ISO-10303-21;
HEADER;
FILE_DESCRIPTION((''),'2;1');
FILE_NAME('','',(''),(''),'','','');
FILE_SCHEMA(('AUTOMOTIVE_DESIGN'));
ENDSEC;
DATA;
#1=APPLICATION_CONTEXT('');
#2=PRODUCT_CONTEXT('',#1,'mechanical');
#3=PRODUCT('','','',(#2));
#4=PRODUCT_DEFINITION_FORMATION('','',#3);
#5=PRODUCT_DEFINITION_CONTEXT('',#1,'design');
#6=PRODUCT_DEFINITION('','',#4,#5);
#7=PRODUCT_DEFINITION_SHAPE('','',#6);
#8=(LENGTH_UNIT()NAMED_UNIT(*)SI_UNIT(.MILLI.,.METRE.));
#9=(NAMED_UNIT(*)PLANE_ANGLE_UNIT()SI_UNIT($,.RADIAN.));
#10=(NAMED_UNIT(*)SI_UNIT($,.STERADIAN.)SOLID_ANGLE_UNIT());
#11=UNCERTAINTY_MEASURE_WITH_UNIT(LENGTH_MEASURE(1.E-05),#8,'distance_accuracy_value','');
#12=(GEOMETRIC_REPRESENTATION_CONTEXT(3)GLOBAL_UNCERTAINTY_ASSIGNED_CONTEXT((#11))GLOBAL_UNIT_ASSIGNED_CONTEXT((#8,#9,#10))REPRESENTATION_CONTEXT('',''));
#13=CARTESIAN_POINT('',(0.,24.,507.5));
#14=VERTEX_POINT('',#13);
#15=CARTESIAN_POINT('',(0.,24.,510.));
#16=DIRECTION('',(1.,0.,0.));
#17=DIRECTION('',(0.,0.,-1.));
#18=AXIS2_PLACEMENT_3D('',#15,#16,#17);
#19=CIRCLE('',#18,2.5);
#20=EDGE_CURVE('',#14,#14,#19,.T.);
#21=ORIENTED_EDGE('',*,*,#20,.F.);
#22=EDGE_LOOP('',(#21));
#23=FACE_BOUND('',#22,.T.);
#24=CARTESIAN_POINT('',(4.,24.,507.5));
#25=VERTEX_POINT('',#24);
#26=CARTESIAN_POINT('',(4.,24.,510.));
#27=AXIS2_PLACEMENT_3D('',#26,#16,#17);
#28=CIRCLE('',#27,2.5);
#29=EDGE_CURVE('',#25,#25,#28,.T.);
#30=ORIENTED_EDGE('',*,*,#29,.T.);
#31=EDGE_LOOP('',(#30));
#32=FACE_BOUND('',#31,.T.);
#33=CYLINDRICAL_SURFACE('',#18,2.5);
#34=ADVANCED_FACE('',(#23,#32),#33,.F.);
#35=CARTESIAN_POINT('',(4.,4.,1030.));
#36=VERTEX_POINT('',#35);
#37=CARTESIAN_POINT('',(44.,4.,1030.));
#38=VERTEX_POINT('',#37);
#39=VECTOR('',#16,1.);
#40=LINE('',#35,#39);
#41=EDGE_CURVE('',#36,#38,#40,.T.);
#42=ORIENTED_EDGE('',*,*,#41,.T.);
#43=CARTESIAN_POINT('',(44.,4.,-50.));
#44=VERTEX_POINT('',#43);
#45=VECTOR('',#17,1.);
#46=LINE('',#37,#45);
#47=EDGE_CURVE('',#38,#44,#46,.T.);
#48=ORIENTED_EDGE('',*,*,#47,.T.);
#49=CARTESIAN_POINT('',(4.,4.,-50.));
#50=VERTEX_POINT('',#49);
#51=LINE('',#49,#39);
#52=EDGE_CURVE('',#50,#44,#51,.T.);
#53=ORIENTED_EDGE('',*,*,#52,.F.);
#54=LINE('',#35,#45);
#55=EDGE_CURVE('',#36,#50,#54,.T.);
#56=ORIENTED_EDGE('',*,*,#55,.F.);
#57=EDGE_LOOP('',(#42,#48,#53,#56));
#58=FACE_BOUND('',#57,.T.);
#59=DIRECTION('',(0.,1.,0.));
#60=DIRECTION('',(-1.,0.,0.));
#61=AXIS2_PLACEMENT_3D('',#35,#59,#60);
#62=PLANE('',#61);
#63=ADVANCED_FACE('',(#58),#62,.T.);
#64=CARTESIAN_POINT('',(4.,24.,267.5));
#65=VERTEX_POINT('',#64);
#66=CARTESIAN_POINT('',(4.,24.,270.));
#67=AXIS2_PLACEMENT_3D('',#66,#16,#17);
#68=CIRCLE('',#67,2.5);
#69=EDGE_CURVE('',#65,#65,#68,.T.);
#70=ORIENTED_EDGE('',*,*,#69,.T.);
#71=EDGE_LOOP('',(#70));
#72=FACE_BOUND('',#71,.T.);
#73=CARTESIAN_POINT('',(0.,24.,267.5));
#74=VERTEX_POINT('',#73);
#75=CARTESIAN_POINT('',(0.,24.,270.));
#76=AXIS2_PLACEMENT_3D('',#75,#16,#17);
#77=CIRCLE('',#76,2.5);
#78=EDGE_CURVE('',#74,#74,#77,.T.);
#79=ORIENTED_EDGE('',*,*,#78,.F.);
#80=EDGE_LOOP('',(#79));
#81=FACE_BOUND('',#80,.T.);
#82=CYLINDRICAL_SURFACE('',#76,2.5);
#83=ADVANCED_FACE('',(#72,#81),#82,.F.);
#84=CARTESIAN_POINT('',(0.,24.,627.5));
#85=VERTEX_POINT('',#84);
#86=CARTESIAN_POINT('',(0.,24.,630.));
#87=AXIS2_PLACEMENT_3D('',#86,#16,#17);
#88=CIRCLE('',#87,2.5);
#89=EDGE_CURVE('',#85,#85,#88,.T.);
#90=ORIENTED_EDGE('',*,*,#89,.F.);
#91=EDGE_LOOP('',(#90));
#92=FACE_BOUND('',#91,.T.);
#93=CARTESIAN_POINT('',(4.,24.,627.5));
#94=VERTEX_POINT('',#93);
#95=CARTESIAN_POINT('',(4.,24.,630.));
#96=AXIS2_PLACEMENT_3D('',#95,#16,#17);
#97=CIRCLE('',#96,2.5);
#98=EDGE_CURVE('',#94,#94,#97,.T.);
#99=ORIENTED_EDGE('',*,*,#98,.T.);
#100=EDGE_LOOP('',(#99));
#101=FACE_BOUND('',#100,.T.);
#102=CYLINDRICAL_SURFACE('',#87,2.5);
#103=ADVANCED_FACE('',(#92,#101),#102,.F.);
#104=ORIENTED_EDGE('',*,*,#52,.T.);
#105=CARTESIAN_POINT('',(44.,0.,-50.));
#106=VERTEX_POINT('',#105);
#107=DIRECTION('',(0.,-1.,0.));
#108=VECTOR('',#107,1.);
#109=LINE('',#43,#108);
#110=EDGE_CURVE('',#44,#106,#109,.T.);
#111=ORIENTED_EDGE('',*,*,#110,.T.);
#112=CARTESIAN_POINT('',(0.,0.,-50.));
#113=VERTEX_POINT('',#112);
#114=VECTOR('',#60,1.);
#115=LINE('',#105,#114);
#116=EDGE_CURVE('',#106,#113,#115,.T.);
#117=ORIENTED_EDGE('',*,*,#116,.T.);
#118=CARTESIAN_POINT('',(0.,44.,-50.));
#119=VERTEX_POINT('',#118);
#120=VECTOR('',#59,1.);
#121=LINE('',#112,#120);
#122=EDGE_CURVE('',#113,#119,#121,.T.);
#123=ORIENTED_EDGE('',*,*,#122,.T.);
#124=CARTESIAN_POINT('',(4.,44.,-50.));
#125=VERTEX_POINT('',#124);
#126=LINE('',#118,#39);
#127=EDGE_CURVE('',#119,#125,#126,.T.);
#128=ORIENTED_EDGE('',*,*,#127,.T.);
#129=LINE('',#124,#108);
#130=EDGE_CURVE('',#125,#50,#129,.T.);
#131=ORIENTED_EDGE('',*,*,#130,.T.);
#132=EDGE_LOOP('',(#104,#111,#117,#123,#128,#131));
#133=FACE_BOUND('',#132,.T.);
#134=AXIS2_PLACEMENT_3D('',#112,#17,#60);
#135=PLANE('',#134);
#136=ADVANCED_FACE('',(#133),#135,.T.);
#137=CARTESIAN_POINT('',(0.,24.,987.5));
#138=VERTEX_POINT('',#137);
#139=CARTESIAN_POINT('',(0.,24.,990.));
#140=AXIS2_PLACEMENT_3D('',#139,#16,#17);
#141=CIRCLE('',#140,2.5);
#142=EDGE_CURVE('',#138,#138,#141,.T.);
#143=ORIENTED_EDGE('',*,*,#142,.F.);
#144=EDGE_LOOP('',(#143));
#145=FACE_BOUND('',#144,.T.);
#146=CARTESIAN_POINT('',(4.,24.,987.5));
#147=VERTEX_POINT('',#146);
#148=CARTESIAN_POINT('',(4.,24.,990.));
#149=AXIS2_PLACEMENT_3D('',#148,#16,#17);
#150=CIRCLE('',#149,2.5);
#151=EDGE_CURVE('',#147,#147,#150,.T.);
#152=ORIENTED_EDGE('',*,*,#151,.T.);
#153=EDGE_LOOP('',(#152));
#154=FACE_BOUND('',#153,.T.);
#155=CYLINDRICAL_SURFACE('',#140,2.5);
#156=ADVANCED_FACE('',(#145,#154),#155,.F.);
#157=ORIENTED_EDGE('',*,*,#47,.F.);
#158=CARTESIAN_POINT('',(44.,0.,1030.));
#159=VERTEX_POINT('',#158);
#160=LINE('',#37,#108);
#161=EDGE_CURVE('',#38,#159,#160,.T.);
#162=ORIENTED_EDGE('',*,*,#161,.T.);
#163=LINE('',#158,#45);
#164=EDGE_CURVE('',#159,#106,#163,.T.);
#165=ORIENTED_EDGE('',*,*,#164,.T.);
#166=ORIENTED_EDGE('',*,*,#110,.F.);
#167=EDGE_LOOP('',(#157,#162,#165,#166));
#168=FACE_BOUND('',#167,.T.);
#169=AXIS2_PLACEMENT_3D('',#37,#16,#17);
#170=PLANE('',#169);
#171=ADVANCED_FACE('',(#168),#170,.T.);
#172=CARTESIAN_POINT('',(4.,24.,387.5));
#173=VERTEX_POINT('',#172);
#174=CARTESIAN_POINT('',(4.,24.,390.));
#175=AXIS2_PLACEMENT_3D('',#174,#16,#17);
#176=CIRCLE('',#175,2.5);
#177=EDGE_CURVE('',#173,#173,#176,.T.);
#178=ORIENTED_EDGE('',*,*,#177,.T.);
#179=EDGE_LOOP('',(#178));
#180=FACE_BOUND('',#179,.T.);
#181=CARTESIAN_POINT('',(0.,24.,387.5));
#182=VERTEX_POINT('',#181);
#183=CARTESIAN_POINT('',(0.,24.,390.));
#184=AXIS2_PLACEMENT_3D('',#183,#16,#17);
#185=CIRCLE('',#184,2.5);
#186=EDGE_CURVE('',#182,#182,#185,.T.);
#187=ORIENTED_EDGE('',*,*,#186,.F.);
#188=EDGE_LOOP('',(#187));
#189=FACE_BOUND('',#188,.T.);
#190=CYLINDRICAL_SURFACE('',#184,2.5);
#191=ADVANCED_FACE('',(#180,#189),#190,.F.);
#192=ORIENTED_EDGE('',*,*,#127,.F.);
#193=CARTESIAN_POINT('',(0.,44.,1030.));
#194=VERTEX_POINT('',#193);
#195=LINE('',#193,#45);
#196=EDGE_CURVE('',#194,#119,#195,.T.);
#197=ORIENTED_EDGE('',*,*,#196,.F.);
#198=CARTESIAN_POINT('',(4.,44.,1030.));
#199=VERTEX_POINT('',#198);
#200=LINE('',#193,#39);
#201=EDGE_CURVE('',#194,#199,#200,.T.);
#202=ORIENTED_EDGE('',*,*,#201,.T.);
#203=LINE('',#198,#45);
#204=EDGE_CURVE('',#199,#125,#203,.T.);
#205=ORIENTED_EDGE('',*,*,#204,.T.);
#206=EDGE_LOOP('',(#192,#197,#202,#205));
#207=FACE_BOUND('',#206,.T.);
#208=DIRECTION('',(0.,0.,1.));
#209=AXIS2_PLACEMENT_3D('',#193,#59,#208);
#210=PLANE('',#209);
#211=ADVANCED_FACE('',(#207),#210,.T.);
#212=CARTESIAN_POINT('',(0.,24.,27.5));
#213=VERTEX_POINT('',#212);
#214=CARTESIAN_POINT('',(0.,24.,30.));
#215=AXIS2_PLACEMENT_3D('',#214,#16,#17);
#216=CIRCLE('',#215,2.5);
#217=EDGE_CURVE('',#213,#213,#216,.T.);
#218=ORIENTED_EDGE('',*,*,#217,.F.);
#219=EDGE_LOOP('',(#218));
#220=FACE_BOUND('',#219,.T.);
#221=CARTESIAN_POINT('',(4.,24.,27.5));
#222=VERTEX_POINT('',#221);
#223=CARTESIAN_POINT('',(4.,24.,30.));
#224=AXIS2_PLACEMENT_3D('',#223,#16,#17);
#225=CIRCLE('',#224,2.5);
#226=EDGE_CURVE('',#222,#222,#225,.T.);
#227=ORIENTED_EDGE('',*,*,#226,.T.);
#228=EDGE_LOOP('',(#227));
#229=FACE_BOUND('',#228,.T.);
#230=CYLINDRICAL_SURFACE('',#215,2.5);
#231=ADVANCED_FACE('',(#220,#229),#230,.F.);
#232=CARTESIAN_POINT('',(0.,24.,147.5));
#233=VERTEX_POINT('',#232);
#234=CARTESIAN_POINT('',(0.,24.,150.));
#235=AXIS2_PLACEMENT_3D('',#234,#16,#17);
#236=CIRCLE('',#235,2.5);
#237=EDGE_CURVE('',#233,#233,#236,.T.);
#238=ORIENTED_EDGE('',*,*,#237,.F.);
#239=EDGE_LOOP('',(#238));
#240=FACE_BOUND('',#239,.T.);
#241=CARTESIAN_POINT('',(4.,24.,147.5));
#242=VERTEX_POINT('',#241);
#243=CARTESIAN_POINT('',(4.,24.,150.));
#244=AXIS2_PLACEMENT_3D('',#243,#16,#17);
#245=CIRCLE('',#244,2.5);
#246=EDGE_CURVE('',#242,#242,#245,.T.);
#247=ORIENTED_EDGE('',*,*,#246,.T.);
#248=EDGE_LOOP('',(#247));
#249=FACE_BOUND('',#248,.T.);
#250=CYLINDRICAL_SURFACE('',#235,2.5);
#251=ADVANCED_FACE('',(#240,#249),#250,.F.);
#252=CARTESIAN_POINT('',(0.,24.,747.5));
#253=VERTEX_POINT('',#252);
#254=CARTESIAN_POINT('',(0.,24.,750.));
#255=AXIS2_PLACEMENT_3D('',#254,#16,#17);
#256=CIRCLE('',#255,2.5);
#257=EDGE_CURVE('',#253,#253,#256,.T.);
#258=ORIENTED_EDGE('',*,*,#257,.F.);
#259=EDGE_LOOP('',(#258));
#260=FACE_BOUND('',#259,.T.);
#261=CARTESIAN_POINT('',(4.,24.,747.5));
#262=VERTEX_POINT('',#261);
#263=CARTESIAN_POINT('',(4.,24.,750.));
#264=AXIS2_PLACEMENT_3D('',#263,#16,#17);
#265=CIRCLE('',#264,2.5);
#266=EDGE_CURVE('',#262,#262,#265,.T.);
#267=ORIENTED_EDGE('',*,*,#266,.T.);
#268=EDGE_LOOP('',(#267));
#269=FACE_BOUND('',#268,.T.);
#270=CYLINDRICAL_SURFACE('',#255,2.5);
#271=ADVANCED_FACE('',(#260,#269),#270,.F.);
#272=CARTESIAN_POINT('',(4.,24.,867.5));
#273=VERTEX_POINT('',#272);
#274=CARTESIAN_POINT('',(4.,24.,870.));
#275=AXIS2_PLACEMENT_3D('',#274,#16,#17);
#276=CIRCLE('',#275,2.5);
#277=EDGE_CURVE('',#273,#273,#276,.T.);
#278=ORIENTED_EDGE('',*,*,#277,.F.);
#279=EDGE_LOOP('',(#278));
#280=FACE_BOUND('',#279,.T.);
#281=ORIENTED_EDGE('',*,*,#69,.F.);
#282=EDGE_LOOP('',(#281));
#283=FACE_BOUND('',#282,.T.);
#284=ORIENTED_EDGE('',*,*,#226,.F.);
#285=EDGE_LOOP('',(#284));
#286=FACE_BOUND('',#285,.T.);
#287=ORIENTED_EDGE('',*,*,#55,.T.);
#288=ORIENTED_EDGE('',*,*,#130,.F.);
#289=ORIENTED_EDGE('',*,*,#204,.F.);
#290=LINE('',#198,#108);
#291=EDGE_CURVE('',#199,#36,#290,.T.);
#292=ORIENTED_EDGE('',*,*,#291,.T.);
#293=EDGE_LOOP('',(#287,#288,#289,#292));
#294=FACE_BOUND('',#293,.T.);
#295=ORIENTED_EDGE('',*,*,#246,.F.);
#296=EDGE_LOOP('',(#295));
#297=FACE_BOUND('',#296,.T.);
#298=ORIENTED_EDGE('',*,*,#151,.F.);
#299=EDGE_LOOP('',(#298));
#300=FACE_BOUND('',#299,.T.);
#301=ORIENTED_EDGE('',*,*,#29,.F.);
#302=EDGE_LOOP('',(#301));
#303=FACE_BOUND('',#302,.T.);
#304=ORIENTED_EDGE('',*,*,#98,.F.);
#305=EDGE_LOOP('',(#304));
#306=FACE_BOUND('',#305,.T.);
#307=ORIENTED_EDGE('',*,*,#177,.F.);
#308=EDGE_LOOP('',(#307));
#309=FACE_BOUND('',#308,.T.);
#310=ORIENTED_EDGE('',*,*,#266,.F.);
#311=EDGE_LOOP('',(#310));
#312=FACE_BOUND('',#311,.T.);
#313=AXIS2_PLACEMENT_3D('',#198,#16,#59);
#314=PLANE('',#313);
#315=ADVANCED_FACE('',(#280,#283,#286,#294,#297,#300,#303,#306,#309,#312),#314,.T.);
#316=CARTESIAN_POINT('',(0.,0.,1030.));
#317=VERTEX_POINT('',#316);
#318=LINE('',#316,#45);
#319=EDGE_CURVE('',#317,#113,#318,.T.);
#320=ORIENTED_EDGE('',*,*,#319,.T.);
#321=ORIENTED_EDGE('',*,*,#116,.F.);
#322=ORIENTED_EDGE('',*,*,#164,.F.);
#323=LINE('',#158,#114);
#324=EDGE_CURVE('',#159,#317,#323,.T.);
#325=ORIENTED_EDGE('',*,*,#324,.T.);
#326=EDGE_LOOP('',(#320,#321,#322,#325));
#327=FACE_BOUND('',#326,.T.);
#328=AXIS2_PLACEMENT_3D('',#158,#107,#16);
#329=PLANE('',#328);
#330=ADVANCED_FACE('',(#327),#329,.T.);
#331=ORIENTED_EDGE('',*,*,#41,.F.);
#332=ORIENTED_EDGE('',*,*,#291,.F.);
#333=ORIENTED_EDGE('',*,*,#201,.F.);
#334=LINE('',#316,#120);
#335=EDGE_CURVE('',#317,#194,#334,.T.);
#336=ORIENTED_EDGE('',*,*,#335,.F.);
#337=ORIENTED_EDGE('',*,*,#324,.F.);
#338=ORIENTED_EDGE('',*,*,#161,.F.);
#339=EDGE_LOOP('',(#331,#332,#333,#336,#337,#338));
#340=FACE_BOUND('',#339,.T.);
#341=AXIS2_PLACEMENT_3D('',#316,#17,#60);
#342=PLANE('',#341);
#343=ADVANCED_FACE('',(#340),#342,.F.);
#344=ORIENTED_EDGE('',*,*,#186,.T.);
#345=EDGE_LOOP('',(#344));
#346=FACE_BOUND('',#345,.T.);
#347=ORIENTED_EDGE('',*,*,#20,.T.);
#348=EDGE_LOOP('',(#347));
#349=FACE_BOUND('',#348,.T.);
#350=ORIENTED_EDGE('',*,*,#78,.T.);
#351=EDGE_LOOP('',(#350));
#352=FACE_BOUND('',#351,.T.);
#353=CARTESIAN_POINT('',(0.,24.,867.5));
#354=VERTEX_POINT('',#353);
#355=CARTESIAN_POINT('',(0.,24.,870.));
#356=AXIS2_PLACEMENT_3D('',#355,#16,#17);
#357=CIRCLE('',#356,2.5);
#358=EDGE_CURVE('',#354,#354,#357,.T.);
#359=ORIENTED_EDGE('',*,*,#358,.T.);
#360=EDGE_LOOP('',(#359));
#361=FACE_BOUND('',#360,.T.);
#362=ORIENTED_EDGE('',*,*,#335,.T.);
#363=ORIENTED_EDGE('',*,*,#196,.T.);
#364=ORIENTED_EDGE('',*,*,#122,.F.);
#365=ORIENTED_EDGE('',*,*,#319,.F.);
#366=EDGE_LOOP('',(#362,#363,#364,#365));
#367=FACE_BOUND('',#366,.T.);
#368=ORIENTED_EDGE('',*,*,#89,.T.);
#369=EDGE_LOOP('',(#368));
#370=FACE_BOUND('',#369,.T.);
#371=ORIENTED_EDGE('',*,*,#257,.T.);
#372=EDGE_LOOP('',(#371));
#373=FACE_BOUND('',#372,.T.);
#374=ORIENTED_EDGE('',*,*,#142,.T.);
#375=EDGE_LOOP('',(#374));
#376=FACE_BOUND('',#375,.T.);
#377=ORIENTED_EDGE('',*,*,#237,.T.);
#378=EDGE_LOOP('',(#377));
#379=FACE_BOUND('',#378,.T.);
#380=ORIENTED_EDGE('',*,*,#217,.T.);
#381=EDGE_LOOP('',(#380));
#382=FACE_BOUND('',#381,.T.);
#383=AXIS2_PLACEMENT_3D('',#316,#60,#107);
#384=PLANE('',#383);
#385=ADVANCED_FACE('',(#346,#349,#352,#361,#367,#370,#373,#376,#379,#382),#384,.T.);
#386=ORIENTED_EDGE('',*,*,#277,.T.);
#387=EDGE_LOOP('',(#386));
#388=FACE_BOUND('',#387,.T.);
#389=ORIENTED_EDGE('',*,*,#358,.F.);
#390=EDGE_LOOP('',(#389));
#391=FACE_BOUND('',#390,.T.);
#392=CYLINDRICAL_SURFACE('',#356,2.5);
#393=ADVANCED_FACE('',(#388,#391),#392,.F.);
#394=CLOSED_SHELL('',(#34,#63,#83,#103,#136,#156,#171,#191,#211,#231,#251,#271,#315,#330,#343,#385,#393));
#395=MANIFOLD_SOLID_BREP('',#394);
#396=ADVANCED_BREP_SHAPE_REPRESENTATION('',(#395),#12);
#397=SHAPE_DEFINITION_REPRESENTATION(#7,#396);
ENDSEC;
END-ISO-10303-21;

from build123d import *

# Parameters (mm, degrees)
BOSS_EXTRUDE1_DEPTH = 1080
SKETCH2_R           = 2.5
CUT_EXTRUDE1_DEPTH  = 1032.715076947


with BuildPart() as part:
    # Sketch1 → Boss-Extrude1 (new body)
    with BuildSketch(Plane(origin=(0, 0, -50), x_dir=(-1, 0, 0), z_dir=(0, 0, -1))):
        Polygon((0, 44), (-4, 44), (-4, 4), (-44, 4), (-44, 0), (0, 0), align=None)
    extrude(amount=-BOSS_EXTRUDE1_DEPTH)

    # Sketch2 → Cut-Extrude1 (cut, through all)
    with BuildSketch(Plane(origin=(4, 0, 0), x_dir=(0, 0, -1), z_dir=(1, 0, 0))):
        with Locations((-990, 24)):
            Circle(SKETCH2_R)
        with Locations((-870, 24)):
            Circle(SKETCH2_R)
        with Locations((-750, 24)):
            Circle(SKETCH2_R)
        with Locations((-630, 24)):
            Circle(SKETCH2_R)
        with Locations((-510, 24)):
            Circle(SKETCH2_R)
        with Locations((-390, 24)):
            Circle(SKETCH2_R)
        with Locations((-270, 24)):
            Circle(SKETCH2_R)
        with Locations((-150, 24)):
            Circle(SKETCH2_R)
        with Locations((-30, 24)):
            Circle(SKETCH2_R)
    extrude(amount=-CUT_EXTRUDE1_DEPTH, mode=Mode.SUBTRACT)


solid = part.part
